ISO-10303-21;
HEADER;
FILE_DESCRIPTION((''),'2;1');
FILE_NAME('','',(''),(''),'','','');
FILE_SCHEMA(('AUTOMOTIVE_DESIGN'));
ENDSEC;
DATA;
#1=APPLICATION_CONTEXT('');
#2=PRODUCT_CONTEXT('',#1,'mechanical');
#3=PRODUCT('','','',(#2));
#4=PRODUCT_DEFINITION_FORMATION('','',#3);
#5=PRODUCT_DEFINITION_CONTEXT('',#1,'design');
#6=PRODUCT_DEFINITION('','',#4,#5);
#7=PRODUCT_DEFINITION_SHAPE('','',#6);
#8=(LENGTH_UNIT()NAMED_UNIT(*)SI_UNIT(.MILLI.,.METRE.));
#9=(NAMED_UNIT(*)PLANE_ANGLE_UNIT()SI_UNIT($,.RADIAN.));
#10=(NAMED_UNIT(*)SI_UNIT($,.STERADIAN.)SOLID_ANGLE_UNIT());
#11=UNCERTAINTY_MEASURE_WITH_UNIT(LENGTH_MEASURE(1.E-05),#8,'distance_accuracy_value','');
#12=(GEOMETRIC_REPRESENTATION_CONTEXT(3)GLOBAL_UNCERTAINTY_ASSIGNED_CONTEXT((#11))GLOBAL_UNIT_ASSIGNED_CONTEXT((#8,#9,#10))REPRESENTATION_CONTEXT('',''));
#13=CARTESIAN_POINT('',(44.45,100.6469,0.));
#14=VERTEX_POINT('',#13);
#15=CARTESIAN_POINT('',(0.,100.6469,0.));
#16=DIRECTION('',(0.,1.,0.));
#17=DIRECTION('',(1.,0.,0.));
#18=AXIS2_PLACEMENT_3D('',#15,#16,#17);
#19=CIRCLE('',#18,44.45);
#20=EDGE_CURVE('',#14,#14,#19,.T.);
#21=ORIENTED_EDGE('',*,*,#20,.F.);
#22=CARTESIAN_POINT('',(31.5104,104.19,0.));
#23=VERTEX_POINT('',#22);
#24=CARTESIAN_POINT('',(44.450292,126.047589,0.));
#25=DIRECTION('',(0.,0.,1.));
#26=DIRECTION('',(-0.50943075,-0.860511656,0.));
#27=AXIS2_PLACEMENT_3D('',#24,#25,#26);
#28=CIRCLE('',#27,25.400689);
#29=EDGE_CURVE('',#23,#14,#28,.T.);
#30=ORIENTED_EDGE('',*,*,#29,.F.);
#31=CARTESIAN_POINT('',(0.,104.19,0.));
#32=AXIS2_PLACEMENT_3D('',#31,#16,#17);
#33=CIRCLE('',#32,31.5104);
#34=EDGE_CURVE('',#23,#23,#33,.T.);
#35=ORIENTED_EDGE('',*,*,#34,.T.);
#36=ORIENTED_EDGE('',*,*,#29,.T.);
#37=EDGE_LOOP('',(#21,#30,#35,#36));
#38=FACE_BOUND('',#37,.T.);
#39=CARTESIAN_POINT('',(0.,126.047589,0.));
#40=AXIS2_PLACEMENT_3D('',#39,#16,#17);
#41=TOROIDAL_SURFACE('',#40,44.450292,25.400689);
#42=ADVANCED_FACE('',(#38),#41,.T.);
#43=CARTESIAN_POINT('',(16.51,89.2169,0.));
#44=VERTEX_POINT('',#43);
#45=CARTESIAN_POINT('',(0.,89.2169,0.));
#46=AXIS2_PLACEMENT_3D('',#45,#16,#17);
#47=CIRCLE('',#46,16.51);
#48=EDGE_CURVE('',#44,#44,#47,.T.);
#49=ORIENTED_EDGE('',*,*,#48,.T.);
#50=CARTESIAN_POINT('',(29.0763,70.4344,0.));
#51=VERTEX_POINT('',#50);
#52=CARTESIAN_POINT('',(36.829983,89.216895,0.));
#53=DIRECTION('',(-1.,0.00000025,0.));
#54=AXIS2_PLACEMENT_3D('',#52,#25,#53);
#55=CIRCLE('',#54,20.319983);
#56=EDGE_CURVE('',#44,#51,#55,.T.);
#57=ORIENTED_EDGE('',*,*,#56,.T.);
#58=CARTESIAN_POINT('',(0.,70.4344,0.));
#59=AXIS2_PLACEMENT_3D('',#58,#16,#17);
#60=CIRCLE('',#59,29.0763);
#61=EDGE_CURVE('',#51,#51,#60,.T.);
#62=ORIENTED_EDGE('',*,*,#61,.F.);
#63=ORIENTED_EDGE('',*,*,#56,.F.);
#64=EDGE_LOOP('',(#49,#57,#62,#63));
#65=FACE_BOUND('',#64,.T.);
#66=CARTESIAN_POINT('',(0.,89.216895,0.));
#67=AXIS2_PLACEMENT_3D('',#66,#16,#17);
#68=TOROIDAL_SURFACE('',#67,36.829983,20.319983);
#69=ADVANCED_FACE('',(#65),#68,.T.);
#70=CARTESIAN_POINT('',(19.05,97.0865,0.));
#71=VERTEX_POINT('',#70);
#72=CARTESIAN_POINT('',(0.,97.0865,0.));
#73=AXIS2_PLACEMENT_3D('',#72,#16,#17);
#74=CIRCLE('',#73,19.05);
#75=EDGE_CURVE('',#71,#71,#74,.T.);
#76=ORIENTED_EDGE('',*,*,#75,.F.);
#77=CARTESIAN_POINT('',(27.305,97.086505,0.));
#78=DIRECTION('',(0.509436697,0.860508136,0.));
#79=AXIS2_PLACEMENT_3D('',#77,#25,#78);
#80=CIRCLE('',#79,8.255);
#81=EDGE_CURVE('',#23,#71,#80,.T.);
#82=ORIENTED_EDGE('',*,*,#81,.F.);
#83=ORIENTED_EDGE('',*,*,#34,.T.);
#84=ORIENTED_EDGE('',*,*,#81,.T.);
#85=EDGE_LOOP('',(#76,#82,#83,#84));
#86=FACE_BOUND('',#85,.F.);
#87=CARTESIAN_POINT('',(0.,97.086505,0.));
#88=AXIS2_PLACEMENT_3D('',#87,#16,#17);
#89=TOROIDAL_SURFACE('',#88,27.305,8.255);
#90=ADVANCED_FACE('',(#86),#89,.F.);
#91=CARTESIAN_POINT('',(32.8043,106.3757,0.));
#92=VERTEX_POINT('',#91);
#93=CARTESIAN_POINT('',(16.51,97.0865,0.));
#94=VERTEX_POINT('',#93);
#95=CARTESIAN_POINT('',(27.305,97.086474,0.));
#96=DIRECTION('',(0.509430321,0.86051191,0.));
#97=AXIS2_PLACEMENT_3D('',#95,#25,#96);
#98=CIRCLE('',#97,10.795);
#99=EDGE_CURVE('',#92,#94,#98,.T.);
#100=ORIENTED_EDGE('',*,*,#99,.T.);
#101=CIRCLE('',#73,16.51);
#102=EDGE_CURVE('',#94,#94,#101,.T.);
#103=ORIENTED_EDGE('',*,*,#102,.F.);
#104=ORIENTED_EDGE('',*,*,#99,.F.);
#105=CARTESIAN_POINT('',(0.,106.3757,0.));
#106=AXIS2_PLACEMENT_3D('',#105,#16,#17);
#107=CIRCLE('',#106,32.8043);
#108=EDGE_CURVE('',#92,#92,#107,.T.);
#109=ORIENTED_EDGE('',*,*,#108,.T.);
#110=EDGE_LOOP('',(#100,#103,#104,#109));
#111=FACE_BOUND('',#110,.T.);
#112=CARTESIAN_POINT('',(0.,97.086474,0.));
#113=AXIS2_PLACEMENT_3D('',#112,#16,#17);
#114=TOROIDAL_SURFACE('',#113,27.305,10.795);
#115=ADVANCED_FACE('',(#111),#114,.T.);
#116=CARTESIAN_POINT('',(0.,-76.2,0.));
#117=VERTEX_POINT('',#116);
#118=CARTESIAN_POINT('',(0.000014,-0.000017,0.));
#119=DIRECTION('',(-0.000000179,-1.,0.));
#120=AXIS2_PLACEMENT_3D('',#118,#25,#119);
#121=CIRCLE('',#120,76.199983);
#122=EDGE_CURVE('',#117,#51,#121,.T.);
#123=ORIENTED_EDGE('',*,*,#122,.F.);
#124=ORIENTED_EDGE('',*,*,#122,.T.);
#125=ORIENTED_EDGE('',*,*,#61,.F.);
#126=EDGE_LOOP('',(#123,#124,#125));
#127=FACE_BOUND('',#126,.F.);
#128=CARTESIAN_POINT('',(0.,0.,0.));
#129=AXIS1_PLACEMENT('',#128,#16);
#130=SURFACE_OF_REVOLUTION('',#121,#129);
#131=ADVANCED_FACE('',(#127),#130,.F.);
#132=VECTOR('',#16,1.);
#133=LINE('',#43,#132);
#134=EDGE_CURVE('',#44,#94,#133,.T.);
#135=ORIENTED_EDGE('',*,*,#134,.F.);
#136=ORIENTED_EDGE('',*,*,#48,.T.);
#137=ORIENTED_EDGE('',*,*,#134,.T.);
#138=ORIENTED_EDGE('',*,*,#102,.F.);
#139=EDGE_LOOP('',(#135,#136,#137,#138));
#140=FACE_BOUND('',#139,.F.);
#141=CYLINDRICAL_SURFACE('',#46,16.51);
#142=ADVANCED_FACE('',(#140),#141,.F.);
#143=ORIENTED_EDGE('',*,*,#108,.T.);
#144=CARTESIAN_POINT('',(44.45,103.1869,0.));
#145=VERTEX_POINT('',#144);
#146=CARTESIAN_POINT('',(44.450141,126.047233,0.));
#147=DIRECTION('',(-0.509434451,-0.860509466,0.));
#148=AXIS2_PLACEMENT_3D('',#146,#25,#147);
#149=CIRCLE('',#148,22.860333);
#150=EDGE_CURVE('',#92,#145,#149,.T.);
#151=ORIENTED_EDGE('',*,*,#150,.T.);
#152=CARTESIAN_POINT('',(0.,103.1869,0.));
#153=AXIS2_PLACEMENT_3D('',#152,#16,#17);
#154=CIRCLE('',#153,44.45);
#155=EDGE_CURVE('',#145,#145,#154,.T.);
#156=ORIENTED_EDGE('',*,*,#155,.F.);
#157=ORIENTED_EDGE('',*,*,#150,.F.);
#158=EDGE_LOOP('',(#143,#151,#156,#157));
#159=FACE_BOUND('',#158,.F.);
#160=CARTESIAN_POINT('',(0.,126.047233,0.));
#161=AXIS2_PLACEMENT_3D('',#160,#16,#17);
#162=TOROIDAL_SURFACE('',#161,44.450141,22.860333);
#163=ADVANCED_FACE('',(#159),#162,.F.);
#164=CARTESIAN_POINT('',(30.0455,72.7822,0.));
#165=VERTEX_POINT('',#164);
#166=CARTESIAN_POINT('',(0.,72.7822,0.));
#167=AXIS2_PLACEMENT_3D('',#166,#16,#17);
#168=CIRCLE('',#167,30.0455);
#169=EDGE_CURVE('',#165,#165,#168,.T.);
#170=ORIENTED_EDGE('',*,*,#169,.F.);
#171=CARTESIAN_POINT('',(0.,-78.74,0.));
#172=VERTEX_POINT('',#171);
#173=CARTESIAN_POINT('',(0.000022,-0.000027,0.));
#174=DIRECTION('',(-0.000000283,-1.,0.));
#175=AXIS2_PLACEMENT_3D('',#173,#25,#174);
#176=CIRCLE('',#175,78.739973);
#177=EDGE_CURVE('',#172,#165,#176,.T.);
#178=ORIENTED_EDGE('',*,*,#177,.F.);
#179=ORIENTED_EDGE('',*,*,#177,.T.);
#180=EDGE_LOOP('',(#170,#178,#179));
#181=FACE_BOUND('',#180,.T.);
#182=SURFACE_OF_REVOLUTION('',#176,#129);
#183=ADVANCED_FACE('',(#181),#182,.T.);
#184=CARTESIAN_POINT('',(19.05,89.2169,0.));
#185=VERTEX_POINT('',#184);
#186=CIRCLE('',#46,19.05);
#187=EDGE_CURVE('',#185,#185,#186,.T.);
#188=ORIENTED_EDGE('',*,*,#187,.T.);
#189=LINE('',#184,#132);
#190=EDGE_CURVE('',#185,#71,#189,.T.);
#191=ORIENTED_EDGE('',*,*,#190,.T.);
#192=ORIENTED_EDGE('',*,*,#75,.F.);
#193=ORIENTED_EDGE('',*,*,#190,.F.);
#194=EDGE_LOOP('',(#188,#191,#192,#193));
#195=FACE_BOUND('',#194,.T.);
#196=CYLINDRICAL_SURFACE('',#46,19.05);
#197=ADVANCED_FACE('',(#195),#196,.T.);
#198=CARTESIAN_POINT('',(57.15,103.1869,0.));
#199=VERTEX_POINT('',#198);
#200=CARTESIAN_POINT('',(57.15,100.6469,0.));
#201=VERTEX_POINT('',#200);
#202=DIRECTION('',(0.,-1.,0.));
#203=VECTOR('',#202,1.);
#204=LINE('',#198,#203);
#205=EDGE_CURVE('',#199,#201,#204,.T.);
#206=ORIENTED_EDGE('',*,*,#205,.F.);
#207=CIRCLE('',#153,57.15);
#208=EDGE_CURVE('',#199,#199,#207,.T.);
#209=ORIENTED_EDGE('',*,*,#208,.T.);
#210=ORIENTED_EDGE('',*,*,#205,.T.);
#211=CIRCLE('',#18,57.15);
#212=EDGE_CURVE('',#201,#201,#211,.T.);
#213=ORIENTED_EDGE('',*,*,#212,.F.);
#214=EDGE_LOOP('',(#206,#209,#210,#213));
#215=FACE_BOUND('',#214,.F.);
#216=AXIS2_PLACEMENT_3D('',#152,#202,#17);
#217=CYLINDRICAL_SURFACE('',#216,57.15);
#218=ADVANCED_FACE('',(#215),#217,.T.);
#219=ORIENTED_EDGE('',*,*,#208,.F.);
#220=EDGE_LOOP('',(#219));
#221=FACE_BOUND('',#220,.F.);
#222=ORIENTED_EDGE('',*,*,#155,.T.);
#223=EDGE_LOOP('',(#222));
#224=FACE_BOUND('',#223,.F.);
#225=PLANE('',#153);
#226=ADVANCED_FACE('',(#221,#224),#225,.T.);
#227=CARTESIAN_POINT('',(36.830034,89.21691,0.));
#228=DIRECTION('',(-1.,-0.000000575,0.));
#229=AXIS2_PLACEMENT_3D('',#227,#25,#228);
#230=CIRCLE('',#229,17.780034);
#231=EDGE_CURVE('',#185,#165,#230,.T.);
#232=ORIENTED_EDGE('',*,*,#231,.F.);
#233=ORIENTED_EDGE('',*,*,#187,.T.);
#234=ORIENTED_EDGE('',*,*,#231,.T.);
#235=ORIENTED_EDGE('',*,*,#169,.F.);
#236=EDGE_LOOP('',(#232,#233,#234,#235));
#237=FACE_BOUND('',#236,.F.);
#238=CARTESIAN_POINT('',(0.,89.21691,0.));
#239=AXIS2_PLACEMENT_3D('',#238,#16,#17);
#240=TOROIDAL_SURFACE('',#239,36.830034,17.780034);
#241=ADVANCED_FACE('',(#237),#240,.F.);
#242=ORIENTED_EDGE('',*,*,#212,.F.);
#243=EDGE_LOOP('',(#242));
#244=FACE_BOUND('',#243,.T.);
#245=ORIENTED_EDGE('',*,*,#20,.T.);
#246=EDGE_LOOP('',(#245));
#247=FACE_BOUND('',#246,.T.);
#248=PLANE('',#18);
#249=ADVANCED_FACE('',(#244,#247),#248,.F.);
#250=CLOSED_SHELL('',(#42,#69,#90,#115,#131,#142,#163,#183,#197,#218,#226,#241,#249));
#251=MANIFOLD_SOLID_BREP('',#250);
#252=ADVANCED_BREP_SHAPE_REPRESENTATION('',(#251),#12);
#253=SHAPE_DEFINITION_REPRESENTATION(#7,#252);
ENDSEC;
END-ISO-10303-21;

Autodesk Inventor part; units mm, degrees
ref_plane "YZ Plane" through (0, 0, 0) normal (1, 0, 0) x (0, 1, 0)
ref_plane "XZ Plane" through (0, 0, 0) normal (0, 1, 0) x (-1, 0, 0)
ref_plane "XY Plane" through (0, 0, 0) normal (0, 0, 1) x (1, 0, 0)
sketch "Sketch1" plane through (0, 0, 0) normal (0, 0, 1) x (1, 0, 0)
  arc A0 (0, -76.2) -> (29.0763, 70.4344) centre (0, 0) ccw
  arc A1 (16.51, 89.2169) -> (29.0763, 70.4344) centre (36.83, 89.2169) ccw
  line L0 (0, 0) -> (0, 160.2867)
  line L1 (0, 0) -> (0, -138.0846)
  line L2 (0, -74.93) -> (0, -76.2)
  line L3 (16.51, 89.2169) -> (16.51, 97.0865)
  arc A2 (32.8043, 106.3757) -> (16.51, 97.0865) centre (27.305, 97.0865) ccw
  arc A3 (32.8043, 106.3757) -> (44.45, 103.1869) centre (44.45, 126.0469) ccw
  line L4 (44.45, 103.1869) -> (57.15, 103.1869)
  arc A4 (0, -78.74) -> (30.0455, 72.7822) centre (0, 0) ccw
  arc A5 (19.05, 89.2169) -> (30.0455, 72.7822) centre (36.83, 89.2169) ccw
  line L5 (19.05, 89.2169) -> (19.05, 97.0865)
  arc A6 (31.5104, 104.19) -> (19.05, 97.0865) centre (27.305, 97.0865) ccw
  arc A7 (31.5104, 104.19) -> (44.45, 100.6469) centre (44.45, 126.0469) ccw
  line L6 (44.45, 100.6469) -> (57.15, 100.6469)
  line L7 (57.15, 103.1869) -> (57.15, 100.6469)
  line L8 (0, -76.2) -> (0, -78.74)
  dimension "d0" = 152.4
  dimension "d8" = 114.3
  dimension "d9" = 21.59
  dimension "d10" = 2.54
  dimension "d11" = 78.74
  dimension "d13" = 25.4
  dimension "d14" = 11.43
  dimension "d15" = 17.78
  dimension "d16" = 38.1
  dimension "d18" = 88.9
revolve "Revolution1" add sketch "Sketch1" angle 360 about axis through (0, 0, 0) along (0, 1, 0)
properties part number "Versaball membrane" material "Canvas, Blue Stripe"
